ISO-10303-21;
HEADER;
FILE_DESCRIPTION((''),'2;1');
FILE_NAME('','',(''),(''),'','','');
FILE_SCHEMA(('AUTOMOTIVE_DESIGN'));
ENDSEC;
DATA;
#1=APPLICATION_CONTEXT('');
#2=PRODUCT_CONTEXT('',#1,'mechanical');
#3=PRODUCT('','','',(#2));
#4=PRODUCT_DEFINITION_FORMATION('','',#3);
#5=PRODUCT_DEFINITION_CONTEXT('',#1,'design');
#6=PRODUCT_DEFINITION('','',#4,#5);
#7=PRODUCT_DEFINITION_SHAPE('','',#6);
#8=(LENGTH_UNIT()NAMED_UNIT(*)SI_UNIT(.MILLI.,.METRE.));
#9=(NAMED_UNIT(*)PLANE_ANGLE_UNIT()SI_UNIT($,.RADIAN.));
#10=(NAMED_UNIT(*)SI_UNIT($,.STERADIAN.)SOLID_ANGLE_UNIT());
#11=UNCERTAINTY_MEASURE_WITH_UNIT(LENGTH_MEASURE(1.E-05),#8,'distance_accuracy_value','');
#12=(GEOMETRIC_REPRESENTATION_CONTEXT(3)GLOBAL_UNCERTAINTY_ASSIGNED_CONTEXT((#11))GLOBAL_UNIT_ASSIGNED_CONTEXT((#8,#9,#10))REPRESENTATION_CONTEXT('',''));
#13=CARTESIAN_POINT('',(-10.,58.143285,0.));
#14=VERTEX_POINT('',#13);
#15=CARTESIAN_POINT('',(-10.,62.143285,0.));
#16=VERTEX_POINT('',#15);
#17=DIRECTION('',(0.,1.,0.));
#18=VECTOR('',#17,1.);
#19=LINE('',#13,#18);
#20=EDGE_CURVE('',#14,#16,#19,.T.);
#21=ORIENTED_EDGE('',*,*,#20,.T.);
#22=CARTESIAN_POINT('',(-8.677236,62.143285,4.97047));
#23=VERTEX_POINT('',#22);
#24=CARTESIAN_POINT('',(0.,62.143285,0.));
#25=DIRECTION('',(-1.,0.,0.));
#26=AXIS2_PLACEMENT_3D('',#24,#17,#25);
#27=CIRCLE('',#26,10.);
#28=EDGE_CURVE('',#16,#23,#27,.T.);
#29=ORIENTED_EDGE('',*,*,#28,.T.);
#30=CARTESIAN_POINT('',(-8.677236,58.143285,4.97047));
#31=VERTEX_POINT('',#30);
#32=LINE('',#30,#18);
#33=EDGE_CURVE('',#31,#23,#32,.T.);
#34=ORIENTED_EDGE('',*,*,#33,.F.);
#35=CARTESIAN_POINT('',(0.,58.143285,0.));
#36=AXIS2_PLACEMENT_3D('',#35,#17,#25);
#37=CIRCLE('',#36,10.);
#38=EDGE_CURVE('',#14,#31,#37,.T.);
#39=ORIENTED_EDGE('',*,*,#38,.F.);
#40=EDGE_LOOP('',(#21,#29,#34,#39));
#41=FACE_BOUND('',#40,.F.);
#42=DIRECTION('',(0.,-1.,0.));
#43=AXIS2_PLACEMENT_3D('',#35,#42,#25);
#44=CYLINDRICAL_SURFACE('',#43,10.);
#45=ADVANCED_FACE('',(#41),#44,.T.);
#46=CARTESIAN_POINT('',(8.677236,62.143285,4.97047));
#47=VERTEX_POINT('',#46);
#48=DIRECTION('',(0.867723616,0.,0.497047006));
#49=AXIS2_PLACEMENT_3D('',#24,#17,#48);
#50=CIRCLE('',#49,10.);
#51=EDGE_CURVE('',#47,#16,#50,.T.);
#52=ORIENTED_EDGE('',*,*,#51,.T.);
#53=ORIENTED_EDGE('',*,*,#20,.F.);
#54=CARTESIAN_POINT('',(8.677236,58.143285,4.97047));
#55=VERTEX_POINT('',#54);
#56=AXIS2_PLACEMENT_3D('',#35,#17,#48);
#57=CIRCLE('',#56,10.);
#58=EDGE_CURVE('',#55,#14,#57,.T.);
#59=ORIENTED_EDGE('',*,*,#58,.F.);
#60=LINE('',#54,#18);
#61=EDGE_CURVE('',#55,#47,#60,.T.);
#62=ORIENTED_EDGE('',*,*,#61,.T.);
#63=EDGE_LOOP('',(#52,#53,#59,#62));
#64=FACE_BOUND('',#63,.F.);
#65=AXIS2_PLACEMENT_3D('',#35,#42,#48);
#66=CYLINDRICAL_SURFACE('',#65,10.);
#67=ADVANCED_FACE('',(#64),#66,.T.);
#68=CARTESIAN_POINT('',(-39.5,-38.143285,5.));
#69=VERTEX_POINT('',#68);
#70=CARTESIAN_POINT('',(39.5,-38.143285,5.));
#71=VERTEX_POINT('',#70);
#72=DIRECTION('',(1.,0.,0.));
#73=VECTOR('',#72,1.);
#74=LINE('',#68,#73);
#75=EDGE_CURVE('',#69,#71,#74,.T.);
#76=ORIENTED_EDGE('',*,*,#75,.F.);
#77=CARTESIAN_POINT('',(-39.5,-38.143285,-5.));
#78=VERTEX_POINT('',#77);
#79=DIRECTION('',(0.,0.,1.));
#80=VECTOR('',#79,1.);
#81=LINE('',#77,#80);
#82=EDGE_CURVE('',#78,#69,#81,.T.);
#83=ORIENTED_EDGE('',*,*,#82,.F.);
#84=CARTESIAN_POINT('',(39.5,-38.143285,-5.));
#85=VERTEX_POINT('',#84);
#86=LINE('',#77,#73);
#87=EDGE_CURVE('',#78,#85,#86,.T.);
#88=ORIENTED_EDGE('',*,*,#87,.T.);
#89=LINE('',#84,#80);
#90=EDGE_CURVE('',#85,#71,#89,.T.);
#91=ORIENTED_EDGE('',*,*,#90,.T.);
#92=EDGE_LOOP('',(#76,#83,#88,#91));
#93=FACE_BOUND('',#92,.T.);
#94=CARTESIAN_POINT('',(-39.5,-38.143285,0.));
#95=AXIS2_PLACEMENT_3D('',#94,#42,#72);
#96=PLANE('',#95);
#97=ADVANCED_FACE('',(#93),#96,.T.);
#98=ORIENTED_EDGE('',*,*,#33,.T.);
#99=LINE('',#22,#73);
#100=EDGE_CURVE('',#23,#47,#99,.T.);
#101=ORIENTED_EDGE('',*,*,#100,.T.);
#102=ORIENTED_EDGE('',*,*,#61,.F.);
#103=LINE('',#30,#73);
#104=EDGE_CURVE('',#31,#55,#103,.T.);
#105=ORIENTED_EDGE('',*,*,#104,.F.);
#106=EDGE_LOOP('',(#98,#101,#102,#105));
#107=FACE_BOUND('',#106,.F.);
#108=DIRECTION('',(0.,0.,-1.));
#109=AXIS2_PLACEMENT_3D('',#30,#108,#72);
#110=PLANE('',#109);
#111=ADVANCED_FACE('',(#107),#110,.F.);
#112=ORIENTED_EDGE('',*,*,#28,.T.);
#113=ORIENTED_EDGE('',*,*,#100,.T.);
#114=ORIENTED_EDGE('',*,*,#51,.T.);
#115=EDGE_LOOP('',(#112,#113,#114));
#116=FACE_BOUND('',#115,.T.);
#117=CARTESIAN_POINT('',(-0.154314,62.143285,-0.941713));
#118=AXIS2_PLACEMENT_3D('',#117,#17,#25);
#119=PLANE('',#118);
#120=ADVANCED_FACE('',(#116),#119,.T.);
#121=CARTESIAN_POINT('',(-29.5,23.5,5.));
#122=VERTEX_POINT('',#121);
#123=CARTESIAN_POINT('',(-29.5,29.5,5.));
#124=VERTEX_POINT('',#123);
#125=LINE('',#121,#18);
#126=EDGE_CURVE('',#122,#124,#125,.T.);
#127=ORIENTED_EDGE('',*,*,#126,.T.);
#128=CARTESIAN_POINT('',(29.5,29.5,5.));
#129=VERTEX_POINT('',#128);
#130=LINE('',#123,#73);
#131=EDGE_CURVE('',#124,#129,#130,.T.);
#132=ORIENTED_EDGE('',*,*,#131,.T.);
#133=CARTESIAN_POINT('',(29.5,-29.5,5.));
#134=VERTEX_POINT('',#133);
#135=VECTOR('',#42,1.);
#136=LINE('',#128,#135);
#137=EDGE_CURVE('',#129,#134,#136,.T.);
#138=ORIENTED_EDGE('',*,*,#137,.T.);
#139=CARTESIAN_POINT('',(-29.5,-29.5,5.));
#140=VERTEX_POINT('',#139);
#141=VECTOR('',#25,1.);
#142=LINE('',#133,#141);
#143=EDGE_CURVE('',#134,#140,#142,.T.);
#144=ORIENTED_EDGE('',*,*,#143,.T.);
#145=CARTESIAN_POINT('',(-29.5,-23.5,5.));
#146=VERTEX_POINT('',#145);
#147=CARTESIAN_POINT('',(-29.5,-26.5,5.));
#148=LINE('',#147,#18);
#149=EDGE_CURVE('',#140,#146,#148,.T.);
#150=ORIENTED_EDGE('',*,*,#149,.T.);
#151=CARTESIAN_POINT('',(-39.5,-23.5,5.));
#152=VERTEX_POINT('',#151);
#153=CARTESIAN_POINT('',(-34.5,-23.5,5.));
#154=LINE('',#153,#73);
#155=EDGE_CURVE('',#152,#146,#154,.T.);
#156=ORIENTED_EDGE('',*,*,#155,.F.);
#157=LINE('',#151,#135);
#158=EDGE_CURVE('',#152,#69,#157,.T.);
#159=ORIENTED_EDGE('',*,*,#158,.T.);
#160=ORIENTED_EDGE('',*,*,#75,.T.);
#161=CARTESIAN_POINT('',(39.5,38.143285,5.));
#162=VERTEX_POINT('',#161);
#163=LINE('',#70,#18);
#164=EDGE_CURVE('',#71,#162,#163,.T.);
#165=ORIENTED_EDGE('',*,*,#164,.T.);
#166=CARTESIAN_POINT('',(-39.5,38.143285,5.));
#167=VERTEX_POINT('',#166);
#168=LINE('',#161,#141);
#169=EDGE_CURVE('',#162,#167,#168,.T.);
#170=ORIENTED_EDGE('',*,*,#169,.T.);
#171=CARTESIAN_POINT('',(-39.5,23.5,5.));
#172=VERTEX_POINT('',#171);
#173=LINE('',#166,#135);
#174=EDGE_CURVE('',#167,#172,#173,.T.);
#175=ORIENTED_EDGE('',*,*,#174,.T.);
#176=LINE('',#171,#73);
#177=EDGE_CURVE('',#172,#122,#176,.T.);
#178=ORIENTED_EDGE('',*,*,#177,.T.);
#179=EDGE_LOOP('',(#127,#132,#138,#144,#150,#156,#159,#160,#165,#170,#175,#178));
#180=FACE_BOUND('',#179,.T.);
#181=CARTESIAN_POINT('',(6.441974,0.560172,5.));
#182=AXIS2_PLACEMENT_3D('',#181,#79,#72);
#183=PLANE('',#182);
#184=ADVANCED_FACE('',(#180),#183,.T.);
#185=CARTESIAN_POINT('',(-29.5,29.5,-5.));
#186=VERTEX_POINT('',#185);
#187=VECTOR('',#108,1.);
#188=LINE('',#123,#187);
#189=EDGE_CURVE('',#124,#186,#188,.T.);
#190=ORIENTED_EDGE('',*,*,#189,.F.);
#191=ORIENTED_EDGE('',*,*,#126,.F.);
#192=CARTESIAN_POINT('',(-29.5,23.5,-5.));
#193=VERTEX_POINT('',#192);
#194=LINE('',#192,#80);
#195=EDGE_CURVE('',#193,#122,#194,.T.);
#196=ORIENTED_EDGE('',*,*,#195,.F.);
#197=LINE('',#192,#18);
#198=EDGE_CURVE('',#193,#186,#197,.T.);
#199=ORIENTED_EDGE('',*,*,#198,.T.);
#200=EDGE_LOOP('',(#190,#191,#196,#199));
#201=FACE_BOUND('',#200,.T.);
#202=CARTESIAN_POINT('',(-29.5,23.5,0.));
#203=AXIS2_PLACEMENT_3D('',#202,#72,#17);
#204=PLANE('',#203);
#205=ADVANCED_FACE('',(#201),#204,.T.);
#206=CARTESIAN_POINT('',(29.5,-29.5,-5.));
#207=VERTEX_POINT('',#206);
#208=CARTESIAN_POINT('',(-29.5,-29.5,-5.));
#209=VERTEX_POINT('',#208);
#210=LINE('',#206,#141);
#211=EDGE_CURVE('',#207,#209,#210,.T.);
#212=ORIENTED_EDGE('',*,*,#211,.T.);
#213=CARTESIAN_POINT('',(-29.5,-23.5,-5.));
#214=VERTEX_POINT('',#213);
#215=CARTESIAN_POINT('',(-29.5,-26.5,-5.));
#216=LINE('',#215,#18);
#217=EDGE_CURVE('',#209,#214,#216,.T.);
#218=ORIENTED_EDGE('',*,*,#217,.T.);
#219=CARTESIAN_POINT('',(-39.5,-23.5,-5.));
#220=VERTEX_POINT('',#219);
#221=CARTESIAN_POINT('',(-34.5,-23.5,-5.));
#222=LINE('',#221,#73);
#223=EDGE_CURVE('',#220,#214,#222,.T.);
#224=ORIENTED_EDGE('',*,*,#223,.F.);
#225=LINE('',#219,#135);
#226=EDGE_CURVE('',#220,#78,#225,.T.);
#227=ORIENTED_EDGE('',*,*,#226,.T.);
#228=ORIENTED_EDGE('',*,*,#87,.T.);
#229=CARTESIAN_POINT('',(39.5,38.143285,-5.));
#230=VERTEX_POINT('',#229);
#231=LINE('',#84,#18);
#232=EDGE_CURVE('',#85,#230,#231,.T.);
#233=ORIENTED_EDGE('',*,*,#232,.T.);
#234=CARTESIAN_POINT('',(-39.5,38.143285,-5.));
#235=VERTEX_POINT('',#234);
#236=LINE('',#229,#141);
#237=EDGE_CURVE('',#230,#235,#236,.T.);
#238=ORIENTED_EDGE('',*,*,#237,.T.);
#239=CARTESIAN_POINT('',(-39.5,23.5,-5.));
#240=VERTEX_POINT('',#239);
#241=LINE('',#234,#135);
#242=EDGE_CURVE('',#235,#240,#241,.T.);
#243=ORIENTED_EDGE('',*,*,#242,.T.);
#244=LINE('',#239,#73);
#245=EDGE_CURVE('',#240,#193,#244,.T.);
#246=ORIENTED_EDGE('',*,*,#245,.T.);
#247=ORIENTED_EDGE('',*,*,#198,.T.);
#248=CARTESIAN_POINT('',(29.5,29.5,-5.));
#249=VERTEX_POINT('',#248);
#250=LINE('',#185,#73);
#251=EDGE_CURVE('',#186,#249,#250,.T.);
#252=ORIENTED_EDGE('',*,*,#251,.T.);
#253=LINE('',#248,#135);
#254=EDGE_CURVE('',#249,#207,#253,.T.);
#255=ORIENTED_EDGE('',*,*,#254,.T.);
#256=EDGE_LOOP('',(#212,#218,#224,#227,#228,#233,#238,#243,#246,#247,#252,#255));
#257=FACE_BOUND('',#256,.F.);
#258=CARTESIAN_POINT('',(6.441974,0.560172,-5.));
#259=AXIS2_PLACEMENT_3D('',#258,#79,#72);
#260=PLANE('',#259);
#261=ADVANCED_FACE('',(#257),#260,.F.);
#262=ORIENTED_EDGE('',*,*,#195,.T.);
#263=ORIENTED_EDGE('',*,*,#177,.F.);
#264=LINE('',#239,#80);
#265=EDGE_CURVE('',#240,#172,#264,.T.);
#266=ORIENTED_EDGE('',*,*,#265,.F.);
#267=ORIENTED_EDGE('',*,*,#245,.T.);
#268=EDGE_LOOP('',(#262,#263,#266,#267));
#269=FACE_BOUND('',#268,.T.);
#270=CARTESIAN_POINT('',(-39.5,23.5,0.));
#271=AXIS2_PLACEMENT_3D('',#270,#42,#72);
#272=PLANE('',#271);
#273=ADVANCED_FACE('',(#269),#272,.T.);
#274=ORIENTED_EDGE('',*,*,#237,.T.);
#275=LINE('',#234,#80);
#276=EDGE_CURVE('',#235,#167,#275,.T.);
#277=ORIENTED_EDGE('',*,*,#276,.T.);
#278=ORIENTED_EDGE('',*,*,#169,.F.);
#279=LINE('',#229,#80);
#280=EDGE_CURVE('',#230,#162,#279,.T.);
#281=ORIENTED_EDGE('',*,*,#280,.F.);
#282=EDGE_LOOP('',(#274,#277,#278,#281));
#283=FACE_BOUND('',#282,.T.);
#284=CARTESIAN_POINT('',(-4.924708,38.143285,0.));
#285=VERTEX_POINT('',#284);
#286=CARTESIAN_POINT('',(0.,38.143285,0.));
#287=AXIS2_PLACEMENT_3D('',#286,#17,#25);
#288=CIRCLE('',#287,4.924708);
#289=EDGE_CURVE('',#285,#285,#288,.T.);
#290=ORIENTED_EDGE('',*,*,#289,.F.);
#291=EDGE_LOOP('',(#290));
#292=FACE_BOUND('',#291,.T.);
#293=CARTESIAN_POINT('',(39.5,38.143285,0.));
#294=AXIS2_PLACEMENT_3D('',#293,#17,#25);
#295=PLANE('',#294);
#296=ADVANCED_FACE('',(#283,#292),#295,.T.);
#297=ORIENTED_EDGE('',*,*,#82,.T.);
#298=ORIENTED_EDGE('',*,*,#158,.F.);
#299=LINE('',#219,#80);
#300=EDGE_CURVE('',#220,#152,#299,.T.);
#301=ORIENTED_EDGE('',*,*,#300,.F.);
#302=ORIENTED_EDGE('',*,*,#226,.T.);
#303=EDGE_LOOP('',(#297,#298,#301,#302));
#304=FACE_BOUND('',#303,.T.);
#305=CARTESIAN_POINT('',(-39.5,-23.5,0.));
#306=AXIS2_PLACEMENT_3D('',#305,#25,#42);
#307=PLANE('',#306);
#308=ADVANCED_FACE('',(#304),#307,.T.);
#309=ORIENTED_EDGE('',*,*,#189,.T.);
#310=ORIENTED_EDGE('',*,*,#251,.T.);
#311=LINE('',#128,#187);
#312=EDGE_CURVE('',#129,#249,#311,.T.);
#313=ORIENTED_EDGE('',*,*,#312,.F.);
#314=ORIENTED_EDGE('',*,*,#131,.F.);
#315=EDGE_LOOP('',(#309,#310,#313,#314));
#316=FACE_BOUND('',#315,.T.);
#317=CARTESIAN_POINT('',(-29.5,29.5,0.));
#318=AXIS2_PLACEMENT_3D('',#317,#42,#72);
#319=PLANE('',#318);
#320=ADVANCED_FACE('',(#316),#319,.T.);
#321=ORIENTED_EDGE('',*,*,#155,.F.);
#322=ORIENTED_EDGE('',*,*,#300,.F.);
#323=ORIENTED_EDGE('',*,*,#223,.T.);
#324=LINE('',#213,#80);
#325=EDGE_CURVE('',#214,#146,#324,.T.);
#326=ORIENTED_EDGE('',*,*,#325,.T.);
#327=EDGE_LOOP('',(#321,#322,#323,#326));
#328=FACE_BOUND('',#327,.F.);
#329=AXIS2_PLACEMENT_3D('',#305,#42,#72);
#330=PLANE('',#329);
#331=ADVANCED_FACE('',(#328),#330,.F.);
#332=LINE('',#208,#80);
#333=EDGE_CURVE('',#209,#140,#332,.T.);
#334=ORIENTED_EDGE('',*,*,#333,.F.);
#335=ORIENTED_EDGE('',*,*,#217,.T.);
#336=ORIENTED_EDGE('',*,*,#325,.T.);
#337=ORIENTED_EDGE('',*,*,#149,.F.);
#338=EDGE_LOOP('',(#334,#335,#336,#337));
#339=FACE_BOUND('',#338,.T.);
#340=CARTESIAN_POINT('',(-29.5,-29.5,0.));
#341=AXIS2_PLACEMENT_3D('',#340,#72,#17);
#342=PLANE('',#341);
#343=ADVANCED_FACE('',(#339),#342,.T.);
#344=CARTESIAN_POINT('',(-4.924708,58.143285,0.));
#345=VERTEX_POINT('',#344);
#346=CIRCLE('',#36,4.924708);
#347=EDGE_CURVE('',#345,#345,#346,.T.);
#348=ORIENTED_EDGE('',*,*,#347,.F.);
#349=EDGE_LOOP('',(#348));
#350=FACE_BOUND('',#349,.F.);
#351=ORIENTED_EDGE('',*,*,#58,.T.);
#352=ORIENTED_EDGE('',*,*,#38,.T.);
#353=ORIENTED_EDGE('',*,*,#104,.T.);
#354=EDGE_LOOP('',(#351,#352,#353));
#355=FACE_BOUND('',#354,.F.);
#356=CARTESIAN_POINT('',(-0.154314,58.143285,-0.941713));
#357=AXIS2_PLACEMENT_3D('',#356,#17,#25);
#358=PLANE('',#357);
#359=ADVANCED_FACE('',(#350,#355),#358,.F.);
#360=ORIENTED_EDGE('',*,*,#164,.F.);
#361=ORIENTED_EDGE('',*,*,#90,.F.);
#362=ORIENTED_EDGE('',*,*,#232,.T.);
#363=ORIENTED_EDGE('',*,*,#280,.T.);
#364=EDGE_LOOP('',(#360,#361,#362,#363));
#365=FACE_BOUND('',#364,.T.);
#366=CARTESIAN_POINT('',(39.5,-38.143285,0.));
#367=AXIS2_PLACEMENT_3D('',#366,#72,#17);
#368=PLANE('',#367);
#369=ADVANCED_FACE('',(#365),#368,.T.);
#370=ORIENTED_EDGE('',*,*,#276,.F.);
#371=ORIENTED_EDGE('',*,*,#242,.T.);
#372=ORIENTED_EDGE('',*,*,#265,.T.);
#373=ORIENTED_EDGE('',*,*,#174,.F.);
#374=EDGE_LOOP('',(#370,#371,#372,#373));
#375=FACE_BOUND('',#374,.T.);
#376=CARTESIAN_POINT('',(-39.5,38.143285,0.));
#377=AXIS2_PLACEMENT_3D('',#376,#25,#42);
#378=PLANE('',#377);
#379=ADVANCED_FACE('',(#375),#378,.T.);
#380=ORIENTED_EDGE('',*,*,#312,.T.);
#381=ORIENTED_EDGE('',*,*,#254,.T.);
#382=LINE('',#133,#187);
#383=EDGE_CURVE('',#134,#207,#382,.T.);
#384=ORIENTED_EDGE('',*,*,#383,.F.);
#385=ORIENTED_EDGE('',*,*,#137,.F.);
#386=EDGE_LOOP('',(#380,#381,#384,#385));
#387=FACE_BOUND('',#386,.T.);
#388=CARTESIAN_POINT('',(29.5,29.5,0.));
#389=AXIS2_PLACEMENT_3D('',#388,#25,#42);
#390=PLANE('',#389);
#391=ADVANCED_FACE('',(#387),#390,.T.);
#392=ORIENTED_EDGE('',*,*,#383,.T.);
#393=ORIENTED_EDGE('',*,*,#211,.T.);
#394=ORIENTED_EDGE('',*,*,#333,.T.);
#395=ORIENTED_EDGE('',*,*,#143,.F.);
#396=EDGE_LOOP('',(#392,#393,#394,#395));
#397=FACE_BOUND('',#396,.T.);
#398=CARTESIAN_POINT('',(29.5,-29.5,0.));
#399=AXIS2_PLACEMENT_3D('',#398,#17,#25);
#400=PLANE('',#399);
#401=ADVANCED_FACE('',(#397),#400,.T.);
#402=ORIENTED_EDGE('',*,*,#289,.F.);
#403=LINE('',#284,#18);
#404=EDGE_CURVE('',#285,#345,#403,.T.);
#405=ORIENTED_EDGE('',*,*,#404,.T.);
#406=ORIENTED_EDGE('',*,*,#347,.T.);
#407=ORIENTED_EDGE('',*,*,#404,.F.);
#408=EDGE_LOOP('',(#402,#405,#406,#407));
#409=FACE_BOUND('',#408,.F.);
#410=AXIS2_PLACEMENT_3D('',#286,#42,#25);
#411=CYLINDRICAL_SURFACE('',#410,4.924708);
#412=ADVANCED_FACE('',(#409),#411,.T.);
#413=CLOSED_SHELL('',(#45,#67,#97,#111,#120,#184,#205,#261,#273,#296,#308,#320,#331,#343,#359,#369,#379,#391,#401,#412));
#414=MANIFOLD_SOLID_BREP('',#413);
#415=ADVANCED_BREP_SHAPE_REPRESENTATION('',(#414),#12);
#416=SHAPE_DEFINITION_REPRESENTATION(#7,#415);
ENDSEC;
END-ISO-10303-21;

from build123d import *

# Parameters (mm, degrees)
F0_W     = 10
F0_H     = 6
F1_DEPTH = 5
F2_R     = 4.9247083424
F3_DEPTH = 20
F4_R     = 4.9247083424
F5_DEPTH = 4


with BuildPart() as f1:
    # F0 (on Top) → F1 (new body, symmetric)
    with BuildSketch(Plane.XY):
        Polygon((29.5, -29.5), (-29.5, -29.5), (-39.5, -29.5), (-39.5, -38.1432852078), (39.5, -38.1432852078), (39.5, 38.1432852078), (-39.5, 38.1432852078), (-39.5, 23.5), (-29.5, 23.5), (-29.5, 29.5), (29.5, 29.5), align=None)
        with Locations((-34.5, -26.5)):
            Rectangle(F0_W, F0_H)
    extrude(amount=F1_DEPTH, both=True)

    # F2 (on face) → F3 (join)
    with BuildSketch(Plane(origin=(0, 38.1432852078, 0), x_dir=(-1, 0, 0), z_dir=(0, 1, 0))):
        Circle(F2_R)
    extrude(amount=F3_DEPTH)

    # F4 (on face) → F5 (join)
    with BuildSketch(Plane(origin=(0, 58.1432852078, 0), x_dir=(-1, 0, 0), z_dir=(0, 1, 0))):
        with BuildLine():
            ThreePointArc((-8.6772361623, 4.9704700566), (-2.5717346653, -9.6636525606), (10, 0))
            ThreePointArc((10, 0), (9.6636525606, 2.5717346653), (8.6772361623, 4.9704700566))
            Line((8.6772361623, 4.9704700566), (-8.6772361623, 4.9704700566))
        make_face()
        Circle(F4_R, mode=Mode.SUBTRACT)
        Circle(F4_R)
    extrude(amount=F5_DEPTH)


solid = f1.part
